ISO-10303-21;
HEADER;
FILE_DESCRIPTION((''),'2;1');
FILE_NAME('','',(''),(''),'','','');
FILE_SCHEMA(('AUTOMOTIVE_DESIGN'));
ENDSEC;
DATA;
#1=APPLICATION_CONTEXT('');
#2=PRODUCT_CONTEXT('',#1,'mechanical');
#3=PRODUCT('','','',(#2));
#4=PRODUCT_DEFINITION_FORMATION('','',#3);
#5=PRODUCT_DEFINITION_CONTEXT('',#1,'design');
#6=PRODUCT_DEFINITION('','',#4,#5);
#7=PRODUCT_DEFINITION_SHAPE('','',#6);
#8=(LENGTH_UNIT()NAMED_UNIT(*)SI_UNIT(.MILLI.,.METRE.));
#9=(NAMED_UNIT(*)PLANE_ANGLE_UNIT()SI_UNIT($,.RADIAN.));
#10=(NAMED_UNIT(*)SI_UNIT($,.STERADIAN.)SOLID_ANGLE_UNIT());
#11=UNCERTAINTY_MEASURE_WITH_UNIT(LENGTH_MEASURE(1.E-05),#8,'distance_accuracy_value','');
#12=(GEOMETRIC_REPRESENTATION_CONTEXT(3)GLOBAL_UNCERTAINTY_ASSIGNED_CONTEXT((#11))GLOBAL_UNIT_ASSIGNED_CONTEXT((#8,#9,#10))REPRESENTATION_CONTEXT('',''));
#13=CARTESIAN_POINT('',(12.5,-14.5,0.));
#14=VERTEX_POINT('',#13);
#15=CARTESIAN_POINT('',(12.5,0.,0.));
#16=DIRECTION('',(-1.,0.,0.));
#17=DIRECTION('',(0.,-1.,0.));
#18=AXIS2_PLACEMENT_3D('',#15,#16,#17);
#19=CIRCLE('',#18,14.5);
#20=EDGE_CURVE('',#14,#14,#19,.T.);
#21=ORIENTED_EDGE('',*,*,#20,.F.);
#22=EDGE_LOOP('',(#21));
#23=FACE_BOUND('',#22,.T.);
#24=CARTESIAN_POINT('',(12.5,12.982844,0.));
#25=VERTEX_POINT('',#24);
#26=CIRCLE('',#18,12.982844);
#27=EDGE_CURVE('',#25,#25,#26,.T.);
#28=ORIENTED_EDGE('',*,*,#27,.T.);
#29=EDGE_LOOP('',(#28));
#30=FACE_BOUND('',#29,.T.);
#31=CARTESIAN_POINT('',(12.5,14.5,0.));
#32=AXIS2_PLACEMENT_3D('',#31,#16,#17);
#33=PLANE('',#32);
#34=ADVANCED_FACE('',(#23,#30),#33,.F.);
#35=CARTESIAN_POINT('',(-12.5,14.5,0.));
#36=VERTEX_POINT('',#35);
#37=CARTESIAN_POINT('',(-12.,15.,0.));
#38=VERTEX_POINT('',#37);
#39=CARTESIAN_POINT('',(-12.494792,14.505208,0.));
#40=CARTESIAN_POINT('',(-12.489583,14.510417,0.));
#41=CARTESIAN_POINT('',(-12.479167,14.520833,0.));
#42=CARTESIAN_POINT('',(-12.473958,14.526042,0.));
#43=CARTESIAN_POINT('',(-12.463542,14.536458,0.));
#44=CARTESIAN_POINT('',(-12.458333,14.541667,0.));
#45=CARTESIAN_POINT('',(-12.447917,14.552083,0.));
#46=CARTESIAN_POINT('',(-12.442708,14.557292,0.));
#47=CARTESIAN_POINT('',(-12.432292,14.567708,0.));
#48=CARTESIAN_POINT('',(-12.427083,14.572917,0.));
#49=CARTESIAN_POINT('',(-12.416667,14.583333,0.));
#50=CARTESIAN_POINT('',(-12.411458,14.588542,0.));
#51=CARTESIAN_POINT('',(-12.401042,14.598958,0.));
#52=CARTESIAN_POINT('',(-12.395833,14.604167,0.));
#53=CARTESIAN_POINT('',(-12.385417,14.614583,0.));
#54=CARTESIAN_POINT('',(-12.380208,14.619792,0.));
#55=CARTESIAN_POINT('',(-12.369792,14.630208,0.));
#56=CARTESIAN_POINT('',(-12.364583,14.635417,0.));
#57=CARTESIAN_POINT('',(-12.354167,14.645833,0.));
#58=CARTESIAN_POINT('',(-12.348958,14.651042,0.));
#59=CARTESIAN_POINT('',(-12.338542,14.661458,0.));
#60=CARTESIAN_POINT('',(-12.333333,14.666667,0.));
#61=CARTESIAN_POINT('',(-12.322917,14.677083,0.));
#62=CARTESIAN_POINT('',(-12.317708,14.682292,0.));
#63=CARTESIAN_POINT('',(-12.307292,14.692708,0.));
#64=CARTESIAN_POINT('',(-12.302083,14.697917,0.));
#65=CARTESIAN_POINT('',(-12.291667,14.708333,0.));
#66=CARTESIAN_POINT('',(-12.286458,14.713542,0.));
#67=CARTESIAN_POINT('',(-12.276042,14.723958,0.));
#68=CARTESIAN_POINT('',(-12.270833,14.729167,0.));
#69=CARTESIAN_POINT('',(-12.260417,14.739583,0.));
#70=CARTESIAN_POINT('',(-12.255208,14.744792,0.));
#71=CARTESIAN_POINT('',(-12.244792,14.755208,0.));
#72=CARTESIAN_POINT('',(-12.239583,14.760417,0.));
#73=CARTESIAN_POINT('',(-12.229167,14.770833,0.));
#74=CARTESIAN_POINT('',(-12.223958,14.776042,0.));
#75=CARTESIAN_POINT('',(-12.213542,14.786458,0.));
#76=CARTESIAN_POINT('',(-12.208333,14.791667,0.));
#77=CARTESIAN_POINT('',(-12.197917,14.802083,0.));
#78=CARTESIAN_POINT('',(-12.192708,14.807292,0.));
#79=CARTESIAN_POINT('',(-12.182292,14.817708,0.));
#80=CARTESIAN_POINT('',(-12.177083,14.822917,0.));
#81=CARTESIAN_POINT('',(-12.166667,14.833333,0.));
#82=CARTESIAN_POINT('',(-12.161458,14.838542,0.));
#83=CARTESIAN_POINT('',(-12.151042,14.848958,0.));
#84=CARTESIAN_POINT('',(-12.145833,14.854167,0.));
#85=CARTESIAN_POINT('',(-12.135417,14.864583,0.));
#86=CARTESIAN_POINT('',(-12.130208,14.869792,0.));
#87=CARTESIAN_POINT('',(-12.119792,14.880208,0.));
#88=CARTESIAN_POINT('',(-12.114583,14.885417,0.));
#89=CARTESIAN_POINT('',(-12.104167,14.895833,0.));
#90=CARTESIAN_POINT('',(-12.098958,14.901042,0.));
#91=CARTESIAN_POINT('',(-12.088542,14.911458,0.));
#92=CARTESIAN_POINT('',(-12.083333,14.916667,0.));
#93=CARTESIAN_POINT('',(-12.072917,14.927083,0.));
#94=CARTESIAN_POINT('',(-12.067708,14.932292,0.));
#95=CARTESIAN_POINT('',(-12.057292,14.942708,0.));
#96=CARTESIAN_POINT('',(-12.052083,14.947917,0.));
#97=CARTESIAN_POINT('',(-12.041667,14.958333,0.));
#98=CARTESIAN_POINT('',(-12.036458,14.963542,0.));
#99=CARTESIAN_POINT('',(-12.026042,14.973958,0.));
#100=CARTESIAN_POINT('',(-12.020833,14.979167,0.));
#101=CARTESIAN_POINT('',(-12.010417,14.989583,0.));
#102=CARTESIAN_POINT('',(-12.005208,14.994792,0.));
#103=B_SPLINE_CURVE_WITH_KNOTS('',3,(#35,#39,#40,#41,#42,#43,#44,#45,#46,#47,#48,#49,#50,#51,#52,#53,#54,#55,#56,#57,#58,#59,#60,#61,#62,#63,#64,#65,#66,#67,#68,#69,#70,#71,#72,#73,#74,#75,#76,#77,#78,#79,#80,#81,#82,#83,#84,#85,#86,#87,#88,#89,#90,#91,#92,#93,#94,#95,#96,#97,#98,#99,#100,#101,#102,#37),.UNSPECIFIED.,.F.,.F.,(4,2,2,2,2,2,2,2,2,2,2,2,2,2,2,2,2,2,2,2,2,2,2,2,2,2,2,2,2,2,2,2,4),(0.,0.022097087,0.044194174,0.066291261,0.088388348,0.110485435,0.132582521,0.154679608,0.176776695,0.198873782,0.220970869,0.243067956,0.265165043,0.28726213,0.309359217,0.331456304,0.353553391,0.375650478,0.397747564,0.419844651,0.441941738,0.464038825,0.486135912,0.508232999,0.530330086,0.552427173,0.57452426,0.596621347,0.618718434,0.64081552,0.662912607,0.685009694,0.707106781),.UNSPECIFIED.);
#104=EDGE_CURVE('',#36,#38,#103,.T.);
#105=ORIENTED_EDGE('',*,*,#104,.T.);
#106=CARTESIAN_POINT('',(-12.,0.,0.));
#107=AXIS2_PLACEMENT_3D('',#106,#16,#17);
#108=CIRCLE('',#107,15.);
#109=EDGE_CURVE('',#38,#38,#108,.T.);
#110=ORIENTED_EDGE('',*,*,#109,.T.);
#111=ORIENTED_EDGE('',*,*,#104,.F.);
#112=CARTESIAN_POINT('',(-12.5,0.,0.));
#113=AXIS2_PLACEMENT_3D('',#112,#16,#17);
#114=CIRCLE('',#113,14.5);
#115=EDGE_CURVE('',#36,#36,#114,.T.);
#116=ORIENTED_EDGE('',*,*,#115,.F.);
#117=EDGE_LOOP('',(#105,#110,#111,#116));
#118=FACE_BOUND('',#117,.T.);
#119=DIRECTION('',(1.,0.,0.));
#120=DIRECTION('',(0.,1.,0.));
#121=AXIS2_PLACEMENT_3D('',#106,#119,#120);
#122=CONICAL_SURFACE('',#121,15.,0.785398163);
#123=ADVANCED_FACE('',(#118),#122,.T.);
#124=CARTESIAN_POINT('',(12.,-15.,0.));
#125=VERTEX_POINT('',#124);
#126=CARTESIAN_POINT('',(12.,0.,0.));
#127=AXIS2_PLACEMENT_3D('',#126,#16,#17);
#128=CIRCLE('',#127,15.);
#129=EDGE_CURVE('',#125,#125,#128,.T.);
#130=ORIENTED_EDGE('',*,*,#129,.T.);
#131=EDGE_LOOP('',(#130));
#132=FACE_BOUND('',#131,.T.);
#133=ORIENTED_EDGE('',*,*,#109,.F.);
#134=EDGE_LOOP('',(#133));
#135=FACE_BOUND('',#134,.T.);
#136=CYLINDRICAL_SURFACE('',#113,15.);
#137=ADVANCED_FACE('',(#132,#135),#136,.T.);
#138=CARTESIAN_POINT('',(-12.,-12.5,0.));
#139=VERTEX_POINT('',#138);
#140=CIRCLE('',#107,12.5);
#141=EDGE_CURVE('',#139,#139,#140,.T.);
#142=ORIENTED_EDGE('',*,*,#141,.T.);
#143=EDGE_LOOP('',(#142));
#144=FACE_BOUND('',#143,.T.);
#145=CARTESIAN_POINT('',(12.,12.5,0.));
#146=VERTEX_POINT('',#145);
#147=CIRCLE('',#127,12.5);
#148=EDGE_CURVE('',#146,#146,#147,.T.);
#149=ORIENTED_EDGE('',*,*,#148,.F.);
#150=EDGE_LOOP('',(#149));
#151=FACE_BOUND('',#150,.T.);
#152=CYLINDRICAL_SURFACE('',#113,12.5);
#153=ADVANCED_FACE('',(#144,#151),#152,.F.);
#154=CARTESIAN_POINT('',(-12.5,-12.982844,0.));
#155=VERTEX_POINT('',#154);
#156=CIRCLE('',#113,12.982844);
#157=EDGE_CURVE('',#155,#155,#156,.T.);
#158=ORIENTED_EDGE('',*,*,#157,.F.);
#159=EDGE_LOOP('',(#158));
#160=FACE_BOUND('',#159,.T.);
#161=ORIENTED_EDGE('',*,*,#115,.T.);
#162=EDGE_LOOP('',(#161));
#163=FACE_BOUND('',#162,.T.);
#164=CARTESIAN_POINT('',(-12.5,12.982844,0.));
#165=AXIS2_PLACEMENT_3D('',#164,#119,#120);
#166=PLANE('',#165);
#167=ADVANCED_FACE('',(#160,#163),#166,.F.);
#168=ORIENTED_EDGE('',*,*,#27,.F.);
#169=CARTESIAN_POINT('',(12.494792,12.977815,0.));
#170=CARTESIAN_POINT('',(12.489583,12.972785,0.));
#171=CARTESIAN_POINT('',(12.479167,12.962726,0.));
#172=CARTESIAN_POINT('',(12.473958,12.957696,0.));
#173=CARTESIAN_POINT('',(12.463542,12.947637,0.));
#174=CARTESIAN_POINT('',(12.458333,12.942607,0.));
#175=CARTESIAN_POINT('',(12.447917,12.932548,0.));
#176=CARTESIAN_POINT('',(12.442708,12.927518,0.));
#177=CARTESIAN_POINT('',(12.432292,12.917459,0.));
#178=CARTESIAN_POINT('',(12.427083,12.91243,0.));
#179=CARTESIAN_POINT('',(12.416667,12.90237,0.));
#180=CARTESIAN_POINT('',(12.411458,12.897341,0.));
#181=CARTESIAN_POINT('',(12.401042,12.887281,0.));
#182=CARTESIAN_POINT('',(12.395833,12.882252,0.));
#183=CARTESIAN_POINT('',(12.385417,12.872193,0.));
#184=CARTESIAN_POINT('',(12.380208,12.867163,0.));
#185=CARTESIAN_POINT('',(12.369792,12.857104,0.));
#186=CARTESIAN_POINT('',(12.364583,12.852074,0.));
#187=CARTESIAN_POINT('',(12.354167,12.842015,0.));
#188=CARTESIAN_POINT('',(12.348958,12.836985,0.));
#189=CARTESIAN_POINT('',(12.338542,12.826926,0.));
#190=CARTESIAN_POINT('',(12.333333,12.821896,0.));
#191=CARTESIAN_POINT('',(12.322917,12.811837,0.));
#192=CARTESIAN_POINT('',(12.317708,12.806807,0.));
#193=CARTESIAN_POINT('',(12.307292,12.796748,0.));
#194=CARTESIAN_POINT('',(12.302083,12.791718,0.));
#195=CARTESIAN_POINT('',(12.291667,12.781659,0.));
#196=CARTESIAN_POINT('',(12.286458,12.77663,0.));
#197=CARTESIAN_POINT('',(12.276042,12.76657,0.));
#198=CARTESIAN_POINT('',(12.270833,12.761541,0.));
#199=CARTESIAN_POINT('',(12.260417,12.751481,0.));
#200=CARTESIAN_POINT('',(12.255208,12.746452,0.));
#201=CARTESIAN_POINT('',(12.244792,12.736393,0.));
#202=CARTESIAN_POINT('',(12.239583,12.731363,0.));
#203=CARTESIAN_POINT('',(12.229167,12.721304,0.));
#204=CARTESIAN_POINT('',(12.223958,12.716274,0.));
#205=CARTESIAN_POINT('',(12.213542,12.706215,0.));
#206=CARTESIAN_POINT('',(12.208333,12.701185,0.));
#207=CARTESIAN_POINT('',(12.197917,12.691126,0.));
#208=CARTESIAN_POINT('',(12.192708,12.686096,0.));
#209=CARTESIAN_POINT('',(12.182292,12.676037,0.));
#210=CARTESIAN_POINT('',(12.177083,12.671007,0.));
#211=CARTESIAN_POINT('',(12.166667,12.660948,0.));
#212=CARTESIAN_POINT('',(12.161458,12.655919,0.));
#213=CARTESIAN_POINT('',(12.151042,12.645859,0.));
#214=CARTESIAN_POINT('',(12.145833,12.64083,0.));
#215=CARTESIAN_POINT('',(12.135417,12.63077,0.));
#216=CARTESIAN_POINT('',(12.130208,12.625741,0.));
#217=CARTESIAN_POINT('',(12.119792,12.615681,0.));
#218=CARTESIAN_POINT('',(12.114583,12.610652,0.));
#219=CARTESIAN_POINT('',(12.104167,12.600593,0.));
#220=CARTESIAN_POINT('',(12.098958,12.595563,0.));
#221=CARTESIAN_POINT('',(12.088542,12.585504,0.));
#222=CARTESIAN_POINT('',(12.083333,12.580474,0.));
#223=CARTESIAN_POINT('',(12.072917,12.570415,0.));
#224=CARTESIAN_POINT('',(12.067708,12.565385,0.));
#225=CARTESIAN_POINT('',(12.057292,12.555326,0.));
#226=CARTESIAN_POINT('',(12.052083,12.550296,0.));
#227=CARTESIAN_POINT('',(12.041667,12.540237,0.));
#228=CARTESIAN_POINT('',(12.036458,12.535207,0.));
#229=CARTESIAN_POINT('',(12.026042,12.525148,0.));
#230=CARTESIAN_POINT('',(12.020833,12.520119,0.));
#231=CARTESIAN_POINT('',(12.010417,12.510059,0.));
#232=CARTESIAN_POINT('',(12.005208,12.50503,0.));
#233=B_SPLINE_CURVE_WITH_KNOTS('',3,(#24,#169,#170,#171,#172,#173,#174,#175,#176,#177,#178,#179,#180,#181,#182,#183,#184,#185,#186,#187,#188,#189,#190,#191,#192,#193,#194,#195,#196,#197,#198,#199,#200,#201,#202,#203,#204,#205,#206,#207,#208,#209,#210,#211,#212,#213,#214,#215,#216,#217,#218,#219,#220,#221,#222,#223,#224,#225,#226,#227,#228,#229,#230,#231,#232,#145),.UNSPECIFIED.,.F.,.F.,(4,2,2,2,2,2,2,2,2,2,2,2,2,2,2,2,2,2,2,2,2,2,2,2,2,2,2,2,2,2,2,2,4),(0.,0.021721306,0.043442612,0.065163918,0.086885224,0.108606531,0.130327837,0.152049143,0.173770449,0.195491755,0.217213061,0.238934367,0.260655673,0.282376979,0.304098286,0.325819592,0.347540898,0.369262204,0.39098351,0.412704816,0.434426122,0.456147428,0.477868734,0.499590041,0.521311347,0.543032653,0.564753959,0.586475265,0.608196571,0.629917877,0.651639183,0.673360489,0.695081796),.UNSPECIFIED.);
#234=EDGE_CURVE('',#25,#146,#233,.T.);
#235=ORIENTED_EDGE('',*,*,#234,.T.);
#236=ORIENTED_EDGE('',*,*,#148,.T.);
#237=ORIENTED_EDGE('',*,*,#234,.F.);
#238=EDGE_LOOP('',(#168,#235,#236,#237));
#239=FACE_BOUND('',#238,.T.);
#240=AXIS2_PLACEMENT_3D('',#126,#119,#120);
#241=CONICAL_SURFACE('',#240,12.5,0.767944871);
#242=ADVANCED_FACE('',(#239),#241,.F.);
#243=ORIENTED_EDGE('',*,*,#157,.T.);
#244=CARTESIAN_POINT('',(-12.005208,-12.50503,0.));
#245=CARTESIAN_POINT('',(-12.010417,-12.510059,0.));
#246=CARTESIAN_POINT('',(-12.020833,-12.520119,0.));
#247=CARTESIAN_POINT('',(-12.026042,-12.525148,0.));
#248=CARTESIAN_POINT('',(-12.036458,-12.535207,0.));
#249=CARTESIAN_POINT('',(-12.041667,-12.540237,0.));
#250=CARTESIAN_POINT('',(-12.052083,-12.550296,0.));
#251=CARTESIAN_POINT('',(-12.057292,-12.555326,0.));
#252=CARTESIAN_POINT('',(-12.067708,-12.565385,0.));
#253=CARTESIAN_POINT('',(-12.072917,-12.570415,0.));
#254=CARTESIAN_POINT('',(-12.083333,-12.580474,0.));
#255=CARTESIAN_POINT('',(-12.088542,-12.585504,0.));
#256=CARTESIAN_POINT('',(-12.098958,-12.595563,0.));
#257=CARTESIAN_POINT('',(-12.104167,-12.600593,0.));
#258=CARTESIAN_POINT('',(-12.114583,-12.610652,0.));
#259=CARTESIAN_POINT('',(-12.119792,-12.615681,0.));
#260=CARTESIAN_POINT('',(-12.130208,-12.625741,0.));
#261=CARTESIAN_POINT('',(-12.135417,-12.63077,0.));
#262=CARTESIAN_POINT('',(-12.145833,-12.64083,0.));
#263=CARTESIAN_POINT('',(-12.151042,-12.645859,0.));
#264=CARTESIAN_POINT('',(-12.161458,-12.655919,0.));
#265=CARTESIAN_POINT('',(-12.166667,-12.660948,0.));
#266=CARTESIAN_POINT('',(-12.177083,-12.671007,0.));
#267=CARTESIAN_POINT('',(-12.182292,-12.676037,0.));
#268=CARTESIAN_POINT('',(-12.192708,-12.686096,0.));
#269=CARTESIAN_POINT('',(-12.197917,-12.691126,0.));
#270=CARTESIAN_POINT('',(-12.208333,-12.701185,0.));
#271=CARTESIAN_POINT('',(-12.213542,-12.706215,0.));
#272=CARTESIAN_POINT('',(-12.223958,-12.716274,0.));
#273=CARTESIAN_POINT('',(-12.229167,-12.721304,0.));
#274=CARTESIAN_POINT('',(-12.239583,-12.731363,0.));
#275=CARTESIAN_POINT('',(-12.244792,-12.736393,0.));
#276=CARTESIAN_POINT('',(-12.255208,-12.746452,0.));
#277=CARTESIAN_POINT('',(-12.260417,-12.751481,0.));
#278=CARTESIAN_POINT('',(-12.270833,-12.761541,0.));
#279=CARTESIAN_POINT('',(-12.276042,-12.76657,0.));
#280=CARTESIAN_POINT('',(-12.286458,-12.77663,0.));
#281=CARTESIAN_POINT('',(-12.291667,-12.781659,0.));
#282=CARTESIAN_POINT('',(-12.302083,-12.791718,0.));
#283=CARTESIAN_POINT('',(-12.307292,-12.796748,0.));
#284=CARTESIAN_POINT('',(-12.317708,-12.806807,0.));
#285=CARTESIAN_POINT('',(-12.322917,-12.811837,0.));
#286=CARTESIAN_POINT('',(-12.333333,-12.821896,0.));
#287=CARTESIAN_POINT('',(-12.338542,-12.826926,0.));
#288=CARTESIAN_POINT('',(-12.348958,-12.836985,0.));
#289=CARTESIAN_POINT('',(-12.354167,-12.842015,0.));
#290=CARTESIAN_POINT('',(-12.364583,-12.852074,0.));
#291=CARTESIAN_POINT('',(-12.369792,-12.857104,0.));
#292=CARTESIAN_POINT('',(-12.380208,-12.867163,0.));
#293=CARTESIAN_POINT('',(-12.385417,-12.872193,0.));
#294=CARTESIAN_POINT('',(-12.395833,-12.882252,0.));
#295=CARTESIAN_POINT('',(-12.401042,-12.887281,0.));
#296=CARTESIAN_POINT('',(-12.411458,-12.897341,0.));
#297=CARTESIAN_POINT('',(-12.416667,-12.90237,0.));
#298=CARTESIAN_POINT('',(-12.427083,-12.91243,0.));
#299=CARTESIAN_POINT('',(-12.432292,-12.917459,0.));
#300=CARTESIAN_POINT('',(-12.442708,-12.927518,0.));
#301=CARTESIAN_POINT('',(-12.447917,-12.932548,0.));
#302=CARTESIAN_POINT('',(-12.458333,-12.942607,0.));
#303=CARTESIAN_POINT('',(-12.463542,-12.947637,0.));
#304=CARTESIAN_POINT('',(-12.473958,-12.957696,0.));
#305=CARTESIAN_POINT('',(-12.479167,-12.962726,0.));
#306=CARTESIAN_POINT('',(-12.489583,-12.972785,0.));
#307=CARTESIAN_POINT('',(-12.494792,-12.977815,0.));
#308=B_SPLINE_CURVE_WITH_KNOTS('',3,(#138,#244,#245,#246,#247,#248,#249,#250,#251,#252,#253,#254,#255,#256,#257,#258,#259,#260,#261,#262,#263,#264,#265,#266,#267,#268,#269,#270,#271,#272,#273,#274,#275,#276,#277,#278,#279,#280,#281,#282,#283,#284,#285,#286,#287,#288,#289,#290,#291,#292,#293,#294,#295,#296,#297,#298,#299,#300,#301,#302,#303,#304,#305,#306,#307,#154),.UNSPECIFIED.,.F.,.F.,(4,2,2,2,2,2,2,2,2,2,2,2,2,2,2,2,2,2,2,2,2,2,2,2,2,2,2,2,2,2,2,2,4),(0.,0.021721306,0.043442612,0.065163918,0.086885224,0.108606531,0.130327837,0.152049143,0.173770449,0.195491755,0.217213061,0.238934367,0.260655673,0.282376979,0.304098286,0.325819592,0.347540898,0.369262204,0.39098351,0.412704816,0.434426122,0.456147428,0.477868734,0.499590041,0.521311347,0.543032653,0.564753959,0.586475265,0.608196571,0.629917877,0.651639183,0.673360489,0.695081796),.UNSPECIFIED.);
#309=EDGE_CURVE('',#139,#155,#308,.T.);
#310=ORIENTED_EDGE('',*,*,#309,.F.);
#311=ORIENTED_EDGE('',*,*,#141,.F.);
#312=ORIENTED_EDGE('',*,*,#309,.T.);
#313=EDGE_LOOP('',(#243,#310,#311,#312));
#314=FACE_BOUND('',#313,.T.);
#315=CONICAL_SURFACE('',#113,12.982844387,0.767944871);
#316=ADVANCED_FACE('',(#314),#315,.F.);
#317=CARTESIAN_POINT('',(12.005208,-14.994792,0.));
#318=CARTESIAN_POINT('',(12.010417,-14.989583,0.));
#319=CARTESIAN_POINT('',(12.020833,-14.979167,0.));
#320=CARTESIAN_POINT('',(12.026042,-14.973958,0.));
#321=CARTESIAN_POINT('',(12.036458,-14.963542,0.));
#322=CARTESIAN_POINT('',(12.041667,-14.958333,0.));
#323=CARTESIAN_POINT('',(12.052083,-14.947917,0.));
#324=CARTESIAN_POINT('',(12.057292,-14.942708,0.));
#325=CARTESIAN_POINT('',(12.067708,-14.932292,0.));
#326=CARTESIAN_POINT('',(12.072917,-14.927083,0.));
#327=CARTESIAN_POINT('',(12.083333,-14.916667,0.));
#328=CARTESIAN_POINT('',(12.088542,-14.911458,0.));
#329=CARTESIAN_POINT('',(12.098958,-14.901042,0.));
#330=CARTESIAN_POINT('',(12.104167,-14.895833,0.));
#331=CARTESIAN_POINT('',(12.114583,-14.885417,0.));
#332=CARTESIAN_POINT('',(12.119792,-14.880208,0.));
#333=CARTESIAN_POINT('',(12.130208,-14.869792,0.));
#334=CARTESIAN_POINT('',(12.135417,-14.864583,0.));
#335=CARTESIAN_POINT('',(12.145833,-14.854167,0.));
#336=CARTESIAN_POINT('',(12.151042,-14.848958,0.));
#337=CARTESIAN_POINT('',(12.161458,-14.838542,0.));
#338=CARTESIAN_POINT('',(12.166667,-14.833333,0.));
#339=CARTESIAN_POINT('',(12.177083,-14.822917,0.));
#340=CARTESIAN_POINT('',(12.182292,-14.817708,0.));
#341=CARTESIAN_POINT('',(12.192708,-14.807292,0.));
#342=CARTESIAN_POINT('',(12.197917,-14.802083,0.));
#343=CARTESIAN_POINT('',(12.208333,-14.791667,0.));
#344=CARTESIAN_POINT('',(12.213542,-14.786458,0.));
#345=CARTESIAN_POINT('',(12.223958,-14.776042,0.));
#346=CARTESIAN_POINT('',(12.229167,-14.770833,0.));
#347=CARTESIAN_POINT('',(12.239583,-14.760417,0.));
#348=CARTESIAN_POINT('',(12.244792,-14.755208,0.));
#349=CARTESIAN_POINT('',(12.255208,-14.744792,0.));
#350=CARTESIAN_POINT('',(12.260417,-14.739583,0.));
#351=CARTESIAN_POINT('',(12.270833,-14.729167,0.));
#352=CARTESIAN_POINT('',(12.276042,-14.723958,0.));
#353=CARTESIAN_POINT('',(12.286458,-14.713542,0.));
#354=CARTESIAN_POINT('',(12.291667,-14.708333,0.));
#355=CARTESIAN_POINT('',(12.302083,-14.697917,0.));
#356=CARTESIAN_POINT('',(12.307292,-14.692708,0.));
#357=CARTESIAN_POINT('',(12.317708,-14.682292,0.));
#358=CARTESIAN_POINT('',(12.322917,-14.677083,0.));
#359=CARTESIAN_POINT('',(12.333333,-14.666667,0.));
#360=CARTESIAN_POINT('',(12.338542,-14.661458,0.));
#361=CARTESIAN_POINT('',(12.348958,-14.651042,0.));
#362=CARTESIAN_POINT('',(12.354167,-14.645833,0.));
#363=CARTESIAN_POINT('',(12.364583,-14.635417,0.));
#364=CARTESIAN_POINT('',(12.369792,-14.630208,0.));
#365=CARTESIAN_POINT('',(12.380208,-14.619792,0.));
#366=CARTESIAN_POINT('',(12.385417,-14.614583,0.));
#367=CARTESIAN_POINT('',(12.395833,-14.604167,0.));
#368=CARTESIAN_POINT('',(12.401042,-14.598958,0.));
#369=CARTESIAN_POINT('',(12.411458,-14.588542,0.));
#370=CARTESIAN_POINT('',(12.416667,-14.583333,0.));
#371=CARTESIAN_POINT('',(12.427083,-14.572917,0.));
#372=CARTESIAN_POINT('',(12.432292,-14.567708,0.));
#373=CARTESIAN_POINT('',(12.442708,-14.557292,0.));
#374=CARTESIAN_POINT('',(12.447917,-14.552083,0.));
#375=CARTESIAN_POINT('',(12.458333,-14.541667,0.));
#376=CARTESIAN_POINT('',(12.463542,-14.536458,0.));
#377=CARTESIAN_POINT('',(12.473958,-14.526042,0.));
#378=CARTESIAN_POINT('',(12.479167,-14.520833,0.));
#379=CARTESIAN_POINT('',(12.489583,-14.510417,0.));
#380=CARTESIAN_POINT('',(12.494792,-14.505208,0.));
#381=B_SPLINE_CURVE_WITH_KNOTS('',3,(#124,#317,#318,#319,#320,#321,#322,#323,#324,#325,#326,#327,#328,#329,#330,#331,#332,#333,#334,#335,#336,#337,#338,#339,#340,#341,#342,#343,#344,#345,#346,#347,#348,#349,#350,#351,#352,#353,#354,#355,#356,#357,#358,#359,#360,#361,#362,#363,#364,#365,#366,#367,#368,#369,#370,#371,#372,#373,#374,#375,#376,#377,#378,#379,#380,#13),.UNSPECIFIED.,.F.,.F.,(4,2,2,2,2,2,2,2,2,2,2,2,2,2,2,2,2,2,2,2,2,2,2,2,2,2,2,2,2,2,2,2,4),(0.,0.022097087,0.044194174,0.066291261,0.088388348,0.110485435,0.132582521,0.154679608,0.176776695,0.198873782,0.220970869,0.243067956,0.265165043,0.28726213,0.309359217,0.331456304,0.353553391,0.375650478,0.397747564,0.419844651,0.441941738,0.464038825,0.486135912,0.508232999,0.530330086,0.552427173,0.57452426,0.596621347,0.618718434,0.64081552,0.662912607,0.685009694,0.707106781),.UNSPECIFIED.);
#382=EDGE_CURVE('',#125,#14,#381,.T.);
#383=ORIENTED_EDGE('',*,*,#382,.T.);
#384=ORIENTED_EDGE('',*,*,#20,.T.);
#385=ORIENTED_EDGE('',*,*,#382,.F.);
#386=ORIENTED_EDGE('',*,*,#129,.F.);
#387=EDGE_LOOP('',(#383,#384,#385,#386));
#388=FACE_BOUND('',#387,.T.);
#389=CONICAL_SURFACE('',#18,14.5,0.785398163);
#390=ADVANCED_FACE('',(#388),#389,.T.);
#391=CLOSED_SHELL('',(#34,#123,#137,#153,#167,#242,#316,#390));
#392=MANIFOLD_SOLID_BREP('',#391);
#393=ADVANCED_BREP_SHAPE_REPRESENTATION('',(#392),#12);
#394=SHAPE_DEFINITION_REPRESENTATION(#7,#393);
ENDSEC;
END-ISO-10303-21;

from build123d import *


with BuildPart() as part:
    # Sketch 181 → 旋转1 (revolve)
    with BuildSketch(Plane.XY, mode=Mode.PRIVATE) as revolve_1_sk:
        Polygon((-12.5, 12.982844387), (-12, 12.5), (12, 12.5), (12.5, 12.982844387), (12.5, 14.5), (12, 15), (-12, 15), (-12.5, 14.5), align=None)
    revolve(revolve_1_sk.sketch.rotate(Axis((-12.5, 0, 0), (1, 0, 0)), 180), axis=Axis((-12.5, 0, 0), (1, 0, 0)))


solid = part.part
